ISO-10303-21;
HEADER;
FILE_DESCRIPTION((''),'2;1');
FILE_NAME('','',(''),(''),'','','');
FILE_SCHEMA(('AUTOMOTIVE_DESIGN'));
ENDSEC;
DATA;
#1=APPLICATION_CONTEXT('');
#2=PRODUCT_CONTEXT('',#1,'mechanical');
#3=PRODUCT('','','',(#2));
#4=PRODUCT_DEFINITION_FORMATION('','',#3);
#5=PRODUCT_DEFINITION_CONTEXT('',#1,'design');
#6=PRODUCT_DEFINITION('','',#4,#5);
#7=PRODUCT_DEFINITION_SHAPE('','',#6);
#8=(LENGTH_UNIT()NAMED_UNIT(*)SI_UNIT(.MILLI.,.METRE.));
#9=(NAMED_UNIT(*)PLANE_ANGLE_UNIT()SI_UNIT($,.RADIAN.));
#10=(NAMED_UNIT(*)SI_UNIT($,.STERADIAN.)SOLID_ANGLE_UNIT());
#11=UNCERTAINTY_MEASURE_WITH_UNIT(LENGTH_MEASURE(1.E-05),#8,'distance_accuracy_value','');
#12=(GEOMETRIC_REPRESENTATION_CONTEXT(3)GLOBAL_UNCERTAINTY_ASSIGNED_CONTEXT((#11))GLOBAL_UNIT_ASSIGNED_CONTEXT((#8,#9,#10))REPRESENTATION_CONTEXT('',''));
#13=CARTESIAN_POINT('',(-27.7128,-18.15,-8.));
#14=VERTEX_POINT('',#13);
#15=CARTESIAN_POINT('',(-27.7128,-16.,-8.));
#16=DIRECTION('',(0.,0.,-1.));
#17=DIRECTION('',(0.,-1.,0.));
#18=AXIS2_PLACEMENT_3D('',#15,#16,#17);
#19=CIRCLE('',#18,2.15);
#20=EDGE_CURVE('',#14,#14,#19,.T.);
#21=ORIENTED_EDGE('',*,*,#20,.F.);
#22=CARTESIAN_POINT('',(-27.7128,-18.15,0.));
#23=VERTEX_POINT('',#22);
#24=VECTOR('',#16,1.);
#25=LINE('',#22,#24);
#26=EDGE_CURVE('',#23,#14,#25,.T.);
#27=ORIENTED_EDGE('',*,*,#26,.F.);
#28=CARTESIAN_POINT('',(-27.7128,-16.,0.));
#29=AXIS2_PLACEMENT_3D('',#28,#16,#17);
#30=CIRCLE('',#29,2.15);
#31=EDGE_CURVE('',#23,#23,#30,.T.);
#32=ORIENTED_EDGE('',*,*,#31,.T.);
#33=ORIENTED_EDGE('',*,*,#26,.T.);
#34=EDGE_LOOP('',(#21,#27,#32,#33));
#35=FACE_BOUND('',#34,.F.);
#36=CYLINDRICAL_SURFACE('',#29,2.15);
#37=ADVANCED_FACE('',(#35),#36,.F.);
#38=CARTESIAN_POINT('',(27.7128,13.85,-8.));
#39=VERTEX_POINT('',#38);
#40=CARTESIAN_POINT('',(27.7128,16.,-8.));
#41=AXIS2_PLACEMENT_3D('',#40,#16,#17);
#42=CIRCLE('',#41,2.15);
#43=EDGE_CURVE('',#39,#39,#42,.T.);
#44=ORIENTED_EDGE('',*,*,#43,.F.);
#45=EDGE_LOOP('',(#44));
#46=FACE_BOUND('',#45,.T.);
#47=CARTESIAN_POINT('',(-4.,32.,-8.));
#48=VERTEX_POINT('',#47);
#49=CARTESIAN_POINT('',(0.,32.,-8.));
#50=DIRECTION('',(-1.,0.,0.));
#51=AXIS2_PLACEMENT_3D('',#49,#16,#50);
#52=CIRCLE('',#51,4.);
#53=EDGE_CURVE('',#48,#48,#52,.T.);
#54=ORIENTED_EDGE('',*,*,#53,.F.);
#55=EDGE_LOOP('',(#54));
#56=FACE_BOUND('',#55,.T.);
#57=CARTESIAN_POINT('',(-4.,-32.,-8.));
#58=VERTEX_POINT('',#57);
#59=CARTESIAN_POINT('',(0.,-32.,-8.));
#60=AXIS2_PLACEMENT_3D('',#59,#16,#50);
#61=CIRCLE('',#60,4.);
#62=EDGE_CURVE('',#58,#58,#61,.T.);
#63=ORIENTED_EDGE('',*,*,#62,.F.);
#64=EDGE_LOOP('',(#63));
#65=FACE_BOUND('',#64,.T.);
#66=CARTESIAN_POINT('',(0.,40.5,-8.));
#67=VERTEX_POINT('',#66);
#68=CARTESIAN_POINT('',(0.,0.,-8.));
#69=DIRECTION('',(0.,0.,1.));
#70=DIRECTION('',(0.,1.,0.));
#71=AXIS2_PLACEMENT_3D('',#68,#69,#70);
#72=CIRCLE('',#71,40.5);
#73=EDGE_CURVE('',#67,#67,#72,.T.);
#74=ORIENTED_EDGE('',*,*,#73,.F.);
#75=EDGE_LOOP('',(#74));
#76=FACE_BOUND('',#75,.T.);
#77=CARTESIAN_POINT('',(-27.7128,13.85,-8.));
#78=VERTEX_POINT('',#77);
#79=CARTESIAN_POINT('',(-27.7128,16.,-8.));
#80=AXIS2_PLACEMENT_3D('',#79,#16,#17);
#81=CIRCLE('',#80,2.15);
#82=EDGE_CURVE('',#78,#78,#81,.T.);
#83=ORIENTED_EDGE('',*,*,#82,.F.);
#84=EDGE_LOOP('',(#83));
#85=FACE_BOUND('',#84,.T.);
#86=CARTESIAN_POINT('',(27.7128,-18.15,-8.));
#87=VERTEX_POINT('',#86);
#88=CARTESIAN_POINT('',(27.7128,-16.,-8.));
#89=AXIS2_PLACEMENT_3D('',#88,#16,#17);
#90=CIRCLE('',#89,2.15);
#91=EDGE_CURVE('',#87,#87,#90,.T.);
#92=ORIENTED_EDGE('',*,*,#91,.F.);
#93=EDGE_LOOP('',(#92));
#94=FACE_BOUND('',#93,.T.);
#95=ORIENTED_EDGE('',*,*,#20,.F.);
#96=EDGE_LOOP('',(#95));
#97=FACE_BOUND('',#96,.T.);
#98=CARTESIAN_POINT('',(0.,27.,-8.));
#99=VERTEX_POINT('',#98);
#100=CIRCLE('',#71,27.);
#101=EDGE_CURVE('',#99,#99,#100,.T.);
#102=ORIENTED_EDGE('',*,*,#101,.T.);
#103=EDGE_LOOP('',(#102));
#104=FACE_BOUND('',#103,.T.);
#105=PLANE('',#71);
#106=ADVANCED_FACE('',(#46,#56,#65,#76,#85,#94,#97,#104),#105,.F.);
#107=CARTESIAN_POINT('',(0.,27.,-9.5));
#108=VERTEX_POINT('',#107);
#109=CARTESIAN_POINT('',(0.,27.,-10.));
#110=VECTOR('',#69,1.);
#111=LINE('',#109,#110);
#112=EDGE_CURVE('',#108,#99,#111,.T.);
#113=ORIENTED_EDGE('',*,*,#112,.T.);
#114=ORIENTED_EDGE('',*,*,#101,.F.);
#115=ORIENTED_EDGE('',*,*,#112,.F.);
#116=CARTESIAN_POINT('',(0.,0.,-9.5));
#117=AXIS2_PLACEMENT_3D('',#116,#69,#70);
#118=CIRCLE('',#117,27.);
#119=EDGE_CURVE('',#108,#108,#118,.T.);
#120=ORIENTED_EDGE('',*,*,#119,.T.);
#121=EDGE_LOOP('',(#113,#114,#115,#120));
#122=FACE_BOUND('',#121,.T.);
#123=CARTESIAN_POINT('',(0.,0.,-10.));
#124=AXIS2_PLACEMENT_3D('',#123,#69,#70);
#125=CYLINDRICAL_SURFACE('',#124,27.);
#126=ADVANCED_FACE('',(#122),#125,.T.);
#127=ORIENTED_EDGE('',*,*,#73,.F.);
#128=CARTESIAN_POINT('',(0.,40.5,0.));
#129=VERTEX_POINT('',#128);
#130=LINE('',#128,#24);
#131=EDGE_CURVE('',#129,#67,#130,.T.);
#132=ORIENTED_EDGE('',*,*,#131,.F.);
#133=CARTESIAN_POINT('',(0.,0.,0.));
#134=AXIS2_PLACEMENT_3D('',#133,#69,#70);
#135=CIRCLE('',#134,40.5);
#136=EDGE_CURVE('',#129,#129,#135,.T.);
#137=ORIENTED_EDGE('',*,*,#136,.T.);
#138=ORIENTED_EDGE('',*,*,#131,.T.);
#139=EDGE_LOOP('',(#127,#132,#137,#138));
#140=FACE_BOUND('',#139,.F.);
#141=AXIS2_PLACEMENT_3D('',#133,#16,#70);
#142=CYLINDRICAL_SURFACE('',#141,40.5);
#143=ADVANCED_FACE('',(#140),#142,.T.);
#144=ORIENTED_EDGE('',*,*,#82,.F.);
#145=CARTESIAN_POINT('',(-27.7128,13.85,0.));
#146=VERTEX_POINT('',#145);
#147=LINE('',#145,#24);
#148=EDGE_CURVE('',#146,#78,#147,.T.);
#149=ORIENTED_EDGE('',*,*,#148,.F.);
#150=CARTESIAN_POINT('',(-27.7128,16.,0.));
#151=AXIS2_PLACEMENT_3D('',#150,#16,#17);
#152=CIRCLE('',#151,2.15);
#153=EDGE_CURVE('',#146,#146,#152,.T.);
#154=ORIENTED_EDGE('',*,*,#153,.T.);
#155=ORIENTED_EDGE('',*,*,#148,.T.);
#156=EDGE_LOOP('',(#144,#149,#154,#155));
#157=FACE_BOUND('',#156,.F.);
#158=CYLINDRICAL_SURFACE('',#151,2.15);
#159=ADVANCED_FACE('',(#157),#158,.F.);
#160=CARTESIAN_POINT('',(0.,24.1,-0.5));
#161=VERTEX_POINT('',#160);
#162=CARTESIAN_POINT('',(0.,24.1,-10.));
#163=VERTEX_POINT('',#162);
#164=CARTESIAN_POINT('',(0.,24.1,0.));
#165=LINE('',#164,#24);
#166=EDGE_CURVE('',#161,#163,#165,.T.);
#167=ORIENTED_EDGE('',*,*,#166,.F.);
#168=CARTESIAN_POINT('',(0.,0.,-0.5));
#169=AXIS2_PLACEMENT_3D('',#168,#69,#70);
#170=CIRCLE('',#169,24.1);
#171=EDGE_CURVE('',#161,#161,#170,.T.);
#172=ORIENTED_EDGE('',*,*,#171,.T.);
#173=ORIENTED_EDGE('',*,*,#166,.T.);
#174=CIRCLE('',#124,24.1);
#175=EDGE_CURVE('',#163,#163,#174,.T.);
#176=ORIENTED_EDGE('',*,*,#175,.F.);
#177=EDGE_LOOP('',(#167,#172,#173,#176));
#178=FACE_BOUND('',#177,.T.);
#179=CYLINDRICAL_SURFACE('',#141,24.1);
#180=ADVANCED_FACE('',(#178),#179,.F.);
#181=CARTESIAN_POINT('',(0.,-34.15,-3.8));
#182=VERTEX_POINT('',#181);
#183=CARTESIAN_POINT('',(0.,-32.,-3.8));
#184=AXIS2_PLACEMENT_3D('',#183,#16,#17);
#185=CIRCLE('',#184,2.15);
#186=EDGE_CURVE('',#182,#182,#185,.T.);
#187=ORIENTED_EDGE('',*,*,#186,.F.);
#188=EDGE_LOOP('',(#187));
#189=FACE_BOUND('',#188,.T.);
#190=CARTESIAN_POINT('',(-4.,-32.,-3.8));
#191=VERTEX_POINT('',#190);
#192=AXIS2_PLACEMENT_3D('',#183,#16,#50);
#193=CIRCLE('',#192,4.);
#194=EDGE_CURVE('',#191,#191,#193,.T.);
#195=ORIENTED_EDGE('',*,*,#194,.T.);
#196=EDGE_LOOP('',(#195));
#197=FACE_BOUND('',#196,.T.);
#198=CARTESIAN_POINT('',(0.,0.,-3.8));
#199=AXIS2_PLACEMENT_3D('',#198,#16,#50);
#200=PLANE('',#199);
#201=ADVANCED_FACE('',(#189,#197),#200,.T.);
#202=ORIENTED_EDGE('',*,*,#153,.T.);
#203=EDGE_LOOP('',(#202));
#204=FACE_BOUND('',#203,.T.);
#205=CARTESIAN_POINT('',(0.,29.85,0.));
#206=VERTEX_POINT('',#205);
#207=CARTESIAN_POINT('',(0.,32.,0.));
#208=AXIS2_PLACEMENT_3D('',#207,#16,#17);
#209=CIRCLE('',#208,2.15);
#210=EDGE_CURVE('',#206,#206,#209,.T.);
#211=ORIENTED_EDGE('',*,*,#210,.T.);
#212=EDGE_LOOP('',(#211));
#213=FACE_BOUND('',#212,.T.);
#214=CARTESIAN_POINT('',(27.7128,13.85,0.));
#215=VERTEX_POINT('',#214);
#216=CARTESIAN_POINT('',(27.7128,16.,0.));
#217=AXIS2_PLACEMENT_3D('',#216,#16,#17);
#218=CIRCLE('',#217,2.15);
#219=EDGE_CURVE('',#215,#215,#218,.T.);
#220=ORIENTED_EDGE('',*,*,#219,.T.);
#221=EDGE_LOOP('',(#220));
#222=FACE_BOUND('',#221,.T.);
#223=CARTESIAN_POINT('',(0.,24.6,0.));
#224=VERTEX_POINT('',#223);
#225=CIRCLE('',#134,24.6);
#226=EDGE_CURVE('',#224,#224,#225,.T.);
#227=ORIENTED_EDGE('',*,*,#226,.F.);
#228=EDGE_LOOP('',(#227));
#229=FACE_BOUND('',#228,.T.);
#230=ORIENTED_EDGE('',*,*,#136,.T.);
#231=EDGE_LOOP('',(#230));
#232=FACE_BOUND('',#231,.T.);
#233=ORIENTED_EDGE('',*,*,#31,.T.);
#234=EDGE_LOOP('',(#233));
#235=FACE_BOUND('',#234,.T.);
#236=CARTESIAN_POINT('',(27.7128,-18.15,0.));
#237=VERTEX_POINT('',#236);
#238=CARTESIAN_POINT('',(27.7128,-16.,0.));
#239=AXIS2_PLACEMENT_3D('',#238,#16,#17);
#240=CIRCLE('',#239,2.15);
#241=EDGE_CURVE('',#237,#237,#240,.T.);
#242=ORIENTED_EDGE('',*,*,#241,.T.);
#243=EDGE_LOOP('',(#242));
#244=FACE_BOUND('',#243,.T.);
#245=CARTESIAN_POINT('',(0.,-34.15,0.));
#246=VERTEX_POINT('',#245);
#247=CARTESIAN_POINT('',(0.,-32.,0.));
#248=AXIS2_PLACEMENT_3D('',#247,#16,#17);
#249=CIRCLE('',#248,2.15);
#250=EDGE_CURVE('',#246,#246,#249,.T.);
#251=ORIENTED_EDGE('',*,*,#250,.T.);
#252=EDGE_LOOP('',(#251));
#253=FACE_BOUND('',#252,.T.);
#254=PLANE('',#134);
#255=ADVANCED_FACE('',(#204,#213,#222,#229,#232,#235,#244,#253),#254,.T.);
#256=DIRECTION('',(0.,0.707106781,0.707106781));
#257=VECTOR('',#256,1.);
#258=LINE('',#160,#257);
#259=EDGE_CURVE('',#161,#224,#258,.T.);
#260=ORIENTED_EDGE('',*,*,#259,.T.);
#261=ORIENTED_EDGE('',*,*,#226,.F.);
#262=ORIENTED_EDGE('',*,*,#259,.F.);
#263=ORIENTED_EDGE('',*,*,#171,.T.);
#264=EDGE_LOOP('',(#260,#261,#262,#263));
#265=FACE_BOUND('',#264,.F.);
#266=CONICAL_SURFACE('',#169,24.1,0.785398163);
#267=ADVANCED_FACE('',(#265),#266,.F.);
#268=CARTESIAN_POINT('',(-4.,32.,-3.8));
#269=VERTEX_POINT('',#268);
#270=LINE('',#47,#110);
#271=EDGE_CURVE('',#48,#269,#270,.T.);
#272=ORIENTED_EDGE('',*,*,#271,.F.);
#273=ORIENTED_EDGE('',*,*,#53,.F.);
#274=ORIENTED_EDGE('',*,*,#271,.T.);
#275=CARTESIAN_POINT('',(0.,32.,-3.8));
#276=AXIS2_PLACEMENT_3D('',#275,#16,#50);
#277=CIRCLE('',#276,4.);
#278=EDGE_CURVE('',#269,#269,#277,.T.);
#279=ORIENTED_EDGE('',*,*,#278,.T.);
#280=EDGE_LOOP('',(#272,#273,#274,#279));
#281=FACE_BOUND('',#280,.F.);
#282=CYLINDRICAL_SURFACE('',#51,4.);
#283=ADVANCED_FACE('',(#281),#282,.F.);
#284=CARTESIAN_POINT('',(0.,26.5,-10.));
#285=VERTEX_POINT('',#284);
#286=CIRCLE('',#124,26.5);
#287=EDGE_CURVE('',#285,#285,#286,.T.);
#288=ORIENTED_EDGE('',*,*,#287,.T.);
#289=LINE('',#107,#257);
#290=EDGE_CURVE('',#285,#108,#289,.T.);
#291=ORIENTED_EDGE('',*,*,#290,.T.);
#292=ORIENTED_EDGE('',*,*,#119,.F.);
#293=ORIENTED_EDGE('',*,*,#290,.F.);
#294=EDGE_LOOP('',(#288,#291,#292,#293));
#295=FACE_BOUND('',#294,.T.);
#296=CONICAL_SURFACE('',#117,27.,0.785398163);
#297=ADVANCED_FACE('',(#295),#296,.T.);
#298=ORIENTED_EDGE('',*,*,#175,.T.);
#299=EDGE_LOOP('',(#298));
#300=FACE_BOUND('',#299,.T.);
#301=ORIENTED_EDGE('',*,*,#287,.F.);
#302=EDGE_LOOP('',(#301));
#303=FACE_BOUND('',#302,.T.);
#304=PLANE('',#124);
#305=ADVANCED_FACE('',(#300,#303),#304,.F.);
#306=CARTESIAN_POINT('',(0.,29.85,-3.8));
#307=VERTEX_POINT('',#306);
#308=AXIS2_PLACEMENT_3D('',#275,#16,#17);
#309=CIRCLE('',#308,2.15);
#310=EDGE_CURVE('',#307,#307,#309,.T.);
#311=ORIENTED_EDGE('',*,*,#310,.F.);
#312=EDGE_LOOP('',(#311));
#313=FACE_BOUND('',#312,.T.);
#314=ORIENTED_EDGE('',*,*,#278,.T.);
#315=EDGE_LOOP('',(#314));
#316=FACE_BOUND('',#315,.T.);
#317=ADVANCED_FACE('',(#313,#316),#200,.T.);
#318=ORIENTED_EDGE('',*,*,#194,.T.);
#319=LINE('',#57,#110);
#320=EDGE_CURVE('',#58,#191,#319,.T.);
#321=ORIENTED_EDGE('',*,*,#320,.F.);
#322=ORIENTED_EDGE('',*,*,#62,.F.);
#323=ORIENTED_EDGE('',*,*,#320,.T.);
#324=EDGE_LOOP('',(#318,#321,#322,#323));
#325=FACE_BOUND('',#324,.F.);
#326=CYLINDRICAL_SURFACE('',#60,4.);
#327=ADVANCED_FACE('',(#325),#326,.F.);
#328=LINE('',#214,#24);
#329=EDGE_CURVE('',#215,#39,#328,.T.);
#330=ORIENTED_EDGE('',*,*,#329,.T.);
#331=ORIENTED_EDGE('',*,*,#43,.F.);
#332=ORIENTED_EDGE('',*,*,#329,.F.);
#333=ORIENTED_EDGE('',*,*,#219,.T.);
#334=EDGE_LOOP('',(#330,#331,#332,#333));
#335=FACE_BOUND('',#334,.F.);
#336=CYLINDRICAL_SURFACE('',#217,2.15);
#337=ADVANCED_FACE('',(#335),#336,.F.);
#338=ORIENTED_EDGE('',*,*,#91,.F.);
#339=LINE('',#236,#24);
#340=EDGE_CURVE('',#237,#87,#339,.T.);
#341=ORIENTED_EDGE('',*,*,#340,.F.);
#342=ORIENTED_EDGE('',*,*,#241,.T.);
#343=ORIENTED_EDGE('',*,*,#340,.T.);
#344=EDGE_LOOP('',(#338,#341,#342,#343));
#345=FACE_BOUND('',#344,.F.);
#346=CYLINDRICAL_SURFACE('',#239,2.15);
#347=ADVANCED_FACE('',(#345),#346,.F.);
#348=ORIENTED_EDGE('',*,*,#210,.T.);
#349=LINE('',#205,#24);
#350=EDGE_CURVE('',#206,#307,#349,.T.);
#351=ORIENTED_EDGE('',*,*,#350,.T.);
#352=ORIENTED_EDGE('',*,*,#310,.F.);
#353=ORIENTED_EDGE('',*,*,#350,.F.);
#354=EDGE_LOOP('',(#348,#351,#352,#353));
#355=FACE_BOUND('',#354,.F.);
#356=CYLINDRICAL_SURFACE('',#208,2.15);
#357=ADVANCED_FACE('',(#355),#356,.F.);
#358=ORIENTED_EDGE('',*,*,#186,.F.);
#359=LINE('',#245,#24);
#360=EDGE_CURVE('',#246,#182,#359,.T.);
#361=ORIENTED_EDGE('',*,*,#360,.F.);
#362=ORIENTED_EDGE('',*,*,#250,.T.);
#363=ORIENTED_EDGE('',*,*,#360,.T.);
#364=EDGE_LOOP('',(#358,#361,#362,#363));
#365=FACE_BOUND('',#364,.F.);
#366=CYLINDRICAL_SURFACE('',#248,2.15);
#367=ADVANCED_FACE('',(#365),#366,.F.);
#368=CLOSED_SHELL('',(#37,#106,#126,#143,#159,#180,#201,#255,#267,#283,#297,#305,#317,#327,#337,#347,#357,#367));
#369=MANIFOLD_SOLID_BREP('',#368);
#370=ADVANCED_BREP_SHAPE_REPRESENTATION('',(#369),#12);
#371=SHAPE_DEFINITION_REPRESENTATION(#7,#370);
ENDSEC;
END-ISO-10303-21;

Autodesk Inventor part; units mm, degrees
ref_plane "YZ Plane" through (0, 0, 0) normal (1, 0, 0) x (0, 1, 0)
ref_plane "XZ Plane" through (0, 0, 0) normal (0, 1, 0) x (-1, 0, 0)
ref_plane "XY Plane" through (0, 0, 0) normal (0, 0, 1) x (1, 0, 0)
sketch "スケッチ2" plane through (0, 0, 0) normal (1, 0, 0) x (0, 1, 0)
  line L0 (24.1, 0) -> (24.1, -10)
  line L1 (40.5, 0) -> (40.5, -8)
  line L2 (40.5, 0) -> (24.1, 0)
  line L3 (24.1, 0) -> (59, 0)
  line L4 (24.1, -10) -> (27, -10)
  line L5 (0, -12) -> (0, 2) projected
  line L6 (27, -10) -> (27, -8)
  line L7 (27, -8) -> (40.5, -8)
  point P0 (0, 0)
  dimension "d40" = 24.1
  dimension "d41" = 8
  dimension "d42" = 40.5
  dimension "d43" = 27
  dimension "d44" = 2
revolve "回転1" add sketch "スケッチ2" angle 360 about axis through (0, 0, -10) along (0, 0, 1)
sketch "スケッチ4" plane through (0, 0, 0) normal (0, 0, 1) x (1, 0, 0)
  point P0 (0, 0)
  point P1 (0, 32)
  point P2 (-27.7128, 16)
  point P3 (-27.7128, -16)
  point P4 (0, -32)
  point P5 (27.7128, -16)
  point P6 (27.7128, 16)
  dimension "d11" = 32
  dimension "d14" = 360
hole "穴1" at (0, 32, 0) at (-27.7128, 16, 0) at (-27.7128, -16, 0) at (0, -32, 0) at (27.7128, -16, 0) at (27.7128, 16, 0) direction (0, 0, -1) diameter 4.3 end through all clearance for "Socket Head Cap Screw" size "M4" standard "Ansi Metric M Profile"
chamfer "面取り3" distance 0.5 angle 45 1 edges at (0, -27, -10)
chamfer "面取り4" distance 0.5 angle 45 1 edges at (0, -24.1, 0)
sketch "スケッチ9" plane through (0, 0, -8) normal (0, 0, -1) x (-1, 0, 0)
  circle A0 centre (0, -32) radius 2.15 projected
  circle A1 centre (0, 32) radius 2.15 projected
  circle A2 centre (0, -32) radius 2.15 projected
  circle A3 centre (0, -32) radius 4
  circle A4 centre (0, 32) radius 4
  point P0 (0, 0)
  dimension "d64" = 8
  dimension "d65" = 8
extrude "押し出し5" cut sketch "スケッチ9" against normal blind 4.2 contours A0 | A1 | A3 | A4
properties part number "scara-base1" material "ABS プラスチック"
